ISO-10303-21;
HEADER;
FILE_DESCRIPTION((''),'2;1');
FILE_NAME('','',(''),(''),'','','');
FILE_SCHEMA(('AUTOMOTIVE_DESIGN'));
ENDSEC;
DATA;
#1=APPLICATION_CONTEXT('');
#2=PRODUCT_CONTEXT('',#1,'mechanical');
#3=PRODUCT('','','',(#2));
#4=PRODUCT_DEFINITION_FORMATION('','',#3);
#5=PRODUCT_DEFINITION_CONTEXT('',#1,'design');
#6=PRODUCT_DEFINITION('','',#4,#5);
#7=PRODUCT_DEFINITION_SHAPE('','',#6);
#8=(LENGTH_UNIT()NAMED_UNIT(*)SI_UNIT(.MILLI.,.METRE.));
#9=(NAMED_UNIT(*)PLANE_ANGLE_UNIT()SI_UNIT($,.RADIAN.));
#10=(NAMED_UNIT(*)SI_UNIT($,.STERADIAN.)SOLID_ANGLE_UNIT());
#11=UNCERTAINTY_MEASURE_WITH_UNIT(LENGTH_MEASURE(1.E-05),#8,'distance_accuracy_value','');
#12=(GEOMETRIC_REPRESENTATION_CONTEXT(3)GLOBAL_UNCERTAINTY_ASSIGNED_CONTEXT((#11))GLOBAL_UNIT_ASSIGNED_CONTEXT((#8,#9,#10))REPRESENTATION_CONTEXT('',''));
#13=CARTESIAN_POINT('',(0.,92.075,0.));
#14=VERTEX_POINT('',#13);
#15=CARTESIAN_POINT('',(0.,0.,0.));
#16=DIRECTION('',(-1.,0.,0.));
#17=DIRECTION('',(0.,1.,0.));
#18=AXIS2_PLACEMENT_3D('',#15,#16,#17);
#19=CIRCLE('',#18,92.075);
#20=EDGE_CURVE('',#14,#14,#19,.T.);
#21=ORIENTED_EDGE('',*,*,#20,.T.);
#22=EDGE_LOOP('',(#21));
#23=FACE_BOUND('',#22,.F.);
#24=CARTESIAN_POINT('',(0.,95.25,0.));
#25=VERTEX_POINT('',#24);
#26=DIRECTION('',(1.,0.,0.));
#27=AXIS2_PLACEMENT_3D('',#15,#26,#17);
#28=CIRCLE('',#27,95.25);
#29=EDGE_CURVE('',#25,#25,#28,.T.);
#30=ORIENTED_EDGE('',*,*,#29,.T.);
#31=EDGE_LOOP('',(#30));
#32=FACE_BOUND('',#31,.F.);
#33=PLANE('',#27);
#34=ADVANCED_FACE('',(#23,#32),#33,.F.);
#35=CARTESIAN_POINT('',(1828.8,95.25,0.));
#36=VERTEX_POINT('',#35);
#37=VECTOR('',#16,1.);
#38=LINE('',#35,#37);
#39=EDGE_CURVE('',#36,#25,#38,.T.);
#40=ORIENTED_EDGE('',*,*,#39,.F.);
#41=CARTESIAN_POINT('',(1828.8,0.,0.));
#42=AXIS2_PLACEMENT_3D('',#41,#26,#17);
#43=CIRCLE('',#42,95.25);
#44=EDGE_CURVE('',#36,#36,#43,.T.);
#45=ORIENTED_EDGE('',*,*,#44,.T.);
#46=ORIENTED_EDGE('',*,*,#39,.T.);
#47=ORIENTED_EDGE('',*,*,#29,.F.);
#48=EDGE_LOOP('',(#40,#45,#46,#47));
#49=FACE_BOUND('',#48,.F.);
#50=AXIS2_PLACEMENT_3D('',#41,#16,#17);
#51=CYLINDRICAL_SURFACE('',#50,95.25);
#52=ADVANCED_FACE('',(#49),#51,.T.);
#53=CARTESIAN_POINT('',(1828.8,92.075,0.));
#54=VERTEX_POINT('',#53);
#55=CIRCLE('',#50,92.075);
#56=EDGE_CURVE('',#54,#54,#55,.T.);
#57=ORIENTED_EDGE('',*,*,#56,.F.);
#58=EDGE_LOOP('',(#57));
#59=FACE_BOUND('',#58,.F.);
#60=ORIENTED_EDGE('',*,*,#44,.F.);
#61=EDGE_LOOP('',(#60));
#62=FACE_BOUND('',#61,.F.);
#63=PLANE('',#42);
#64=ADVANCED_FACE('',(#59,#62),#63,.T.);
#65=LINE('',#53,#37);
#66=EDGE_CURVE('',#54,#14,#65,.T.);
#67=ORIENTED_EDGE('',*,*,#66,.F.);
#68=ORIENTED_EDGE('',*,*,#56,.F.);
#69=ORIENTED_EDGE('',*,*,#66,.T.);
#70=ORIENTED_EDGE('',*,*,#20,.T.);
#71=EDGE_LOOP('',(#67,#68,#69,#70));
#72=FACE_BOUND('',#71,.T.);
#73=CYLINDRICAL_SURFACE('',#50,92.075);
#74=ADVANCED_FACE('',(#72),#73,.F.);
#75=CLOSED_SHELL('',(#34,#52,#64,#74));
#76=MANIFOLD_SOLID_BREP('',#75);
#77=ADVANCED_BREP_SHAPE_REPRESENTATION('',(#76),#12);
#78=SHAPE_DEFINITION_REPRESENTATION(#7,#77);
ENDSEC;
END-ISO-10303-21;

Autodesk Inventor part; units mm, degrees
ref_plane "YZ Plane" through (0, 0, 0) normal (1, 0, 0) x (0, 1, 0)
ref_plane "XZ Plane" through (0, 0, 0) normal (0, 1, 0) x (-1, 0, 0)
ref_plane "XY Plane" through (0, 0, 0) normal (0, 0, 1) x (1, 0, 0)
sketch "Sketch1" plane through (0, 0, 0) normal (0, 0, 1) x (1, 0, 0)
  line L0 (0, 0) -> (1828.8, 0)
  line L1 (1828.8, 0) -> (1828.8, 95.25)
  line L2 (1828.8, 95.25) -> (0, 95.25)
  line L3 (0, 95.25) -> (0, 0)
  dimension "d0" = 1828.8
  dimension "d1" = 95.25
revolve "Revolution1" add sketch "Sketch1" angle 360 about axis through (0, 0, 0) along (1, 0, 0)
shell "Shell1" thickness 3.175 removed faces 2 at (0, 2.7705, -9.4353) at (1828.8, -26.7098, 17.1653)
properties part number "phenolic_liner" material "Phenolic Resin"
